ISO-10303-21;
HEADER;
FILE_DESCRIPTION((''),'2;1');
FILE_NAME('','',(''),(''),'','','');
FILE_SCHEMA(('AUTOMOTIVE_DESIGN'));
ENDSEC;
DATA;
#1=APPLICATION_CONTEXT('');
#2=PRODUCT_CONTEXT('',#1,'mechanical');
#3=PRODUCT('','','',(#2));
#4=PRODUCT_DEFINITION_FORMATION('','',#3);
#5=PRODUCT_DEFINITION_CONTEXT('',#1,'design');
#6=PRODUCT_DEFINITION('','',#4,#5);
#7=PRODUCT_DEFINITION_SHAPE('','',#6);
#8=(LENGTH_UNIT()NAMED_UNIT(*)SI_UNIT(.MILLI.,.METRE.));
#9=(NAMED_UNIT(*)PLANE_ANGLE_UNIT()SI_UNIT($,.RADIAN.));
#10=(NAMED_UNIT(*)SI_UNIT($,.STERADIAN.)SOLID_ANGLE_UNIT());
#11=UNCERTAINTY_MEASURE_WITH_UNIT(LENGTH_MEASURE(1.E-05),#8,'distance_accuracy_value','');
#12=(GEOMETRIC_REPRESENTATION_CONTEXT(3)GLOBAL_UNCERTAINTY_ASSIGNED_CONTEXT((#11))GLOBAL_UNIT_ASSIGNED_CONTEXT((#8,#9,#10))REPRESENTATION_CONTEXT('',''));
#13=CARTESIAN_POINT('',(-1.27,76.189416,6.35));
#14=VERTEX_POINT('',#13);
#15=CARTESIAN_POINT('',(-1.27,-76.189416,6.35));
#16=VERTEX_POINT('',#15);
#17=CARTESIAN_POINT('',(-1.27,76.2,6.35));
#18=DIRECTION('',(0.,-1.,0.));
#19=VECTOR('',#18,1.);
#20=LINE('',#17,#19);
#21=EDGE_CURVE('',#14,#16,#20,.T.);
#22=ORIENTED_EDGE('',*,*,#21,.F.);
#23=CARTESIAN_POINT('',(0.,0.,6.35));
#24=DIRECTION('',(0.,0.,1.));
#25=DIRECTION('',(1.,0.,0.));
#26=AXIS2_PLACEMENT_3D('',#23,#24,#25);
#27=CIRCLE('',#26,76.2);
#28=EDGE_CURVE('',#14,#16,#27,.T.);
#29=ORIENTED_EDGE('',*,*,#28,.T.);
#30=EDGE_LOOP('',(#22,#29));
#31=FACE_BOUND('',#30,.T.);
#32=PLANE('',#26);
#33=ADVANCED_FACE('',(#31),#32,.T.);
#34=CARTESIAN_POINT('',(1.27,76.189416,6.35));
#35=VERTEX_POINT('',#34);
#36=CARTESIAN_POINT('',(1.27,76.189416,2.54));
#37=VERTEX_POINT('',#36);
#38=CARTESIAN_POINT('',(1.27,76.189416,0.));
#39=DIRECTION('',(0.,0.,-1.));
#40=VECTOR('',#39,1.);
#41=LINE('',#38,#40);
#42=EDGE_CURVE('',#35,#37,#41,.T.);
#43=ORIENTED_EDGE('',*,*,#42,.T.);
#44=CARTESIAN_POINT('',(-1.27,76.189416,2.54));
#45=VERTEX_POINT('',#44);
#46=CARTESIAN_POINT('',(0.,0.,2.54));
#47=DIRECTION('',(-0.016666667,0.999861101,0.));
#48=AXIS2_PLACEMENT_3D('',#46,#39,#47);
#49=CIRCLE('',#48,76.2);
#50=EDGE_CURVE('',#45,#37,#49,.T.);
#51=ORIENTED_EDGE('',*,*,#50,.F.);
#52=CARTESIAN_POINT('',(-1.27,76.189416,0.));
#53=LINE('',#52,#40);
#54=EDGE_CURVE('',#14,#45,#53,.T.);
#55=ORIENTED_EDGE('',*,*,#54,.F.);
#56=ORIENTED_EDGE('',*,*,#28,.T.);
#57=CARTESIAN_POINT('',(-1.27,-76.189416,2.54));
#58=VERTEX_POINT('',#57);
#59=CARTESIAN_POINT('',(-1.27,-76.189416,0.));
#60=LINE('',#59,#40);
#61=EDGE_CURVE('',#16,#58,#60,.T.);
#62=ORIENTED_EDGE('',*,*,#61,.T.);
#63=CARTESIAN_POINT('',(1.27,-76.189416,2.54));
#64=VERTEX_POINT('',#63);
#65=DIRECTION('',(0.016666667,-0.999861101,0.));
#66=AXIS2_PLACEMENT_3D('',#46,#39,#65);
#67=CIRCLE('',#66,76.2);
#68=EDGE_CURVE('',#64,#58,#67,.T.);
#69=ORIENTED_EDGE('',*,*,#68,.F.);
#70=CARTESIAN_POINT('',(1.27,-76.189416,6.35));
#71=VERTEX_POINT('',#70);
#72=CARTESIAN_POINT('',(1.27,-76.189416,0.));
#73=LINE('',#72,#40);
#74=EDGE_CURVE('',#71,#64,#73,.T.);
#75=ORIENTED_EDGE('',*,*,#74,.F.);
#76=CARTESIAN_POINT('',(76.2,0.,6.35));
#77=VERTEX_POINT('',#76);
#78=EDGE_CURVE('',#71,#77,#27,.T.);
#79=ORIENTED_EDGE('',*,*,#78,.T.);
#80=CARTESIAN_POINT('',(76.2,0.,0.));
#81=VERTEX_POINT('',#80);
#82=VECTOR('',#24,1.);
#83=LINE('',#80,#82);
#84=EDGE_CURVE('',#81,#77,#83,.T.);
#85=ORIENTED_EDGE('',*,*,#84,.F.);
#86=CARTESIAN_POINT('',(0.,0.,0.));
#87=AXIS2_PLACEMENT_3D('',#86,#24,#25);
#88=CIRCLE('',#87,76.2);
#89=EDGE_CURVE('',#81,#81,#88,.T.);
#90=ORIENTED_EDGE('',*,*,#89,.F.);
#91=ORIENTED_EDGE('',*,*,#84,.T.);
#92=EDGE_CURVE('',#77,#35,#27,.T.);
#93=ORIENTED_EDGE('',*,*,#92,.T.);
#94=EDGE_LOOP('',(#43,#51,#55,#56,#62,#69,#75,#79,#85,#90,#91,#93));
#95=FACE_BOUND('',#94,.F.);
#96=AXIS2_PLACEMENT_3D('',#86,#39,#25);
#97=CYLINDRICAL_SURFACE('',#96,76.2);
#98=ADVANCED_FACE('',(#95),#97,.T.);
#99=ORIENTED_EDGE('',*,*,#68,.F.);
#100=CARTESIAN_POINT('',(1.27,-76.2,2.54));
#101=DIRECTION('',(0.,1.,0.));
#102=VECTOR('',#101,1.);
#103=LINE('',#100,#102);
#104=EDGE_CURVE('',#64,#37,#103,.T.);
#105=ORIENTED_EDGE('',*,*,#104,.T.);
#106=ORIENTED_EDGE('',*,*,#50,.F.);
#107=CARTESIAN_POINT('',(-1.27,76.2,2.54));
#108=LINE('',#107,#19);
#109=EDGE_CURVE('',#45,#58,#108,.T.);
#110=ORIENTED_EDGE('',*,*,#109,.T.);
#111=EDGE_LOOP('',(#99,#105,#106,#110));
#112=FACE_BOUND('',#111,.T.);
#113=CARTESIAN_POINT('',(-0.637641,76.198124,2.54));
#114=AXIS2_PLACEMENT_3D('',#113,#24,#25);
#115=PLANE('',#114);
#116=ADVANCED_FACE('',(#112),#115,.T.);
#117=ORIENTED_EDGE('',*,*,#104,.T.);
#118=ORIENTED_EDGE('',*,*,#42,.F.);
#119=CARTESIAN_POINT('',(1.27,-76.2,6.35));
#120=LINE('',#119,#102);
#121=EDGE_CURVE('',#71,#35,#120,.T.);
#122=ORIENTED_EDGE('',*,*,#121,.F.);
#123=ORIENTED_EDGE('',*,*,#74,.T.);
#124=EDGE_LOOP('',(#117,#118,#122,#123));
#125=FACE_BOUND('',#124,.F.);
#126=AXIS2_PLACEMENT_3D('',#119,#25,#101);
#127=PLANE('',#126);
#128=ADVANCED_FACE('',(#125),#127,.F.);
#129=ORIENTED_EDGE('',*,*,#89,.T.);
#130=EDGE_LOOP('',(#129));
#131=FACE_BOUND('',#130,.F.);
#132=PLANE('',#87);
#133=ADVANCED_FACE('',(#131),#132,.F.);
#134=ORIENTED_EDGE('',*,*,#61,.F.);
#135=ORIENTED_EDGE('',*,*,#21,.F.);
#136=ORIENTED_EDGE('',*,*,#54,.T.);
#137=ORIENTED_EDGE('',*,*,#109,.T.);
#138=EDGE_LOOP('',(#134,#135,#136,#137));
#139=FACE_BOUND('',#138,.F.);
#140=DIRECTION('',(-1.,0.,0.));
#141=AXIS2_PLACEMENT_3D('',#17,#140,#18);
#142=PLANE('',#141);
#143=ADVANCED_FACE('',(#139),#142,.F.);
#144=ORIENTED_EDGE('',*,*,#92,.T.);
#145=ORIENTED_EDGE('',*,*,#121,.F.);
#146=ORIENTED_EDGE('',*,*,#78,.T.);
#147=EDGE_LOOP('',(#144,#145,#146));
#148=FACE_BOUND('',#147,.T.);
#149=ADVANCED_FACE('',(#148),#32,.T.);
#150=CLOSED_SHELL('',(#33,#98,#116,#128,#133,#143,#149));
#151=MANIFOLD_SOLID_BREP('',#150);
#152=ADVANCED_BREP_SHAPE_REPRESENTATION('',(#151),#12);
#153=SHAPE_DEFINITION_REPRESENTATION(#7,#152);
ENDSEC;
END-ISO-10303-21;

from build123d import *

# Parameters (mm, degrees)
F0_R     = 76.2
F1_DEPTH = 6.35
F3_DEPTH = 3.81


with BuildPart() as f1:
    # F0 (on Top) → F1 (new body)
    with BuildSketch(Plane.XY):
        Circle(F0_R)
    extrude(amount=F1_DEPTH)

    # F2 (on face) → F3 (cut)
    with BuildSketch(Plane.XY.offset(6.35)):
        with BuildLine():
            Line((0, 76.2), (-1.27, 76.2))
            Line((-1.27, 76.2), (-1.27, 76.1894159316))
            ThreePointArc((-1.27, 76.1894159316), (-0.6350220513, 76.197353937), (0, 76.2))
        make_face()
        with BuildLine():
            Line((1.27, 76.2), (0, 76.2))
            ThreePointArc((0, 76.2), (0.6350220513, 76.197353937), (1.27, 76.1894159316))
            Line((1.27, 76.1894159316), (1.27, 76.2))
        make_face()
        with BuildLine():
            ThreePointArc((0, -76.2), (-0.6350220513, -76.197353937), (-1.27, -76.1894159316))
            Line((-1.27, -76.1894159316), (-1.27, -76.2))
            Line((-1.27, -76.2), (0, -76.2))
        make_face()
        with BuildLine():
            Line((1.27, -76.2), (1.27, -76.1894159316))
            ThreePointArc((1.27, -76.1894159316), (0.6350220513, -76.197353937), (0, -76.2))
            Line((0, -76.2), (1.27, -76.2))
        make_face()
        with BuildLine():
            ThreePointArc((1.27, 76.1894159316), (0.6350220513, 76.197353937), (0, 76.2))
            ThreePointArc((0, 76.2), (-0.6350220513, 76.197353937), (-1.27, 76.1894159316))
            Line((-1.27, 76.1894159316), (-1.27, -76.1894159316))
            ThreePointArc((-1.27, -76.1894159316), (-0.6350220513, -76.197353937), (0, -76.2))
            ThreePointArc((0, -76.2), (0.6350220513, -76.197353937), (1.27, -76.1894159316))
            Line((1.27, -76.1894159316), (1.27, 76.1894159316))
        make_face()
    extrude(amount=-F3_DEPTH, mode=Mode.SUBTRACT)


solid = f1.part
